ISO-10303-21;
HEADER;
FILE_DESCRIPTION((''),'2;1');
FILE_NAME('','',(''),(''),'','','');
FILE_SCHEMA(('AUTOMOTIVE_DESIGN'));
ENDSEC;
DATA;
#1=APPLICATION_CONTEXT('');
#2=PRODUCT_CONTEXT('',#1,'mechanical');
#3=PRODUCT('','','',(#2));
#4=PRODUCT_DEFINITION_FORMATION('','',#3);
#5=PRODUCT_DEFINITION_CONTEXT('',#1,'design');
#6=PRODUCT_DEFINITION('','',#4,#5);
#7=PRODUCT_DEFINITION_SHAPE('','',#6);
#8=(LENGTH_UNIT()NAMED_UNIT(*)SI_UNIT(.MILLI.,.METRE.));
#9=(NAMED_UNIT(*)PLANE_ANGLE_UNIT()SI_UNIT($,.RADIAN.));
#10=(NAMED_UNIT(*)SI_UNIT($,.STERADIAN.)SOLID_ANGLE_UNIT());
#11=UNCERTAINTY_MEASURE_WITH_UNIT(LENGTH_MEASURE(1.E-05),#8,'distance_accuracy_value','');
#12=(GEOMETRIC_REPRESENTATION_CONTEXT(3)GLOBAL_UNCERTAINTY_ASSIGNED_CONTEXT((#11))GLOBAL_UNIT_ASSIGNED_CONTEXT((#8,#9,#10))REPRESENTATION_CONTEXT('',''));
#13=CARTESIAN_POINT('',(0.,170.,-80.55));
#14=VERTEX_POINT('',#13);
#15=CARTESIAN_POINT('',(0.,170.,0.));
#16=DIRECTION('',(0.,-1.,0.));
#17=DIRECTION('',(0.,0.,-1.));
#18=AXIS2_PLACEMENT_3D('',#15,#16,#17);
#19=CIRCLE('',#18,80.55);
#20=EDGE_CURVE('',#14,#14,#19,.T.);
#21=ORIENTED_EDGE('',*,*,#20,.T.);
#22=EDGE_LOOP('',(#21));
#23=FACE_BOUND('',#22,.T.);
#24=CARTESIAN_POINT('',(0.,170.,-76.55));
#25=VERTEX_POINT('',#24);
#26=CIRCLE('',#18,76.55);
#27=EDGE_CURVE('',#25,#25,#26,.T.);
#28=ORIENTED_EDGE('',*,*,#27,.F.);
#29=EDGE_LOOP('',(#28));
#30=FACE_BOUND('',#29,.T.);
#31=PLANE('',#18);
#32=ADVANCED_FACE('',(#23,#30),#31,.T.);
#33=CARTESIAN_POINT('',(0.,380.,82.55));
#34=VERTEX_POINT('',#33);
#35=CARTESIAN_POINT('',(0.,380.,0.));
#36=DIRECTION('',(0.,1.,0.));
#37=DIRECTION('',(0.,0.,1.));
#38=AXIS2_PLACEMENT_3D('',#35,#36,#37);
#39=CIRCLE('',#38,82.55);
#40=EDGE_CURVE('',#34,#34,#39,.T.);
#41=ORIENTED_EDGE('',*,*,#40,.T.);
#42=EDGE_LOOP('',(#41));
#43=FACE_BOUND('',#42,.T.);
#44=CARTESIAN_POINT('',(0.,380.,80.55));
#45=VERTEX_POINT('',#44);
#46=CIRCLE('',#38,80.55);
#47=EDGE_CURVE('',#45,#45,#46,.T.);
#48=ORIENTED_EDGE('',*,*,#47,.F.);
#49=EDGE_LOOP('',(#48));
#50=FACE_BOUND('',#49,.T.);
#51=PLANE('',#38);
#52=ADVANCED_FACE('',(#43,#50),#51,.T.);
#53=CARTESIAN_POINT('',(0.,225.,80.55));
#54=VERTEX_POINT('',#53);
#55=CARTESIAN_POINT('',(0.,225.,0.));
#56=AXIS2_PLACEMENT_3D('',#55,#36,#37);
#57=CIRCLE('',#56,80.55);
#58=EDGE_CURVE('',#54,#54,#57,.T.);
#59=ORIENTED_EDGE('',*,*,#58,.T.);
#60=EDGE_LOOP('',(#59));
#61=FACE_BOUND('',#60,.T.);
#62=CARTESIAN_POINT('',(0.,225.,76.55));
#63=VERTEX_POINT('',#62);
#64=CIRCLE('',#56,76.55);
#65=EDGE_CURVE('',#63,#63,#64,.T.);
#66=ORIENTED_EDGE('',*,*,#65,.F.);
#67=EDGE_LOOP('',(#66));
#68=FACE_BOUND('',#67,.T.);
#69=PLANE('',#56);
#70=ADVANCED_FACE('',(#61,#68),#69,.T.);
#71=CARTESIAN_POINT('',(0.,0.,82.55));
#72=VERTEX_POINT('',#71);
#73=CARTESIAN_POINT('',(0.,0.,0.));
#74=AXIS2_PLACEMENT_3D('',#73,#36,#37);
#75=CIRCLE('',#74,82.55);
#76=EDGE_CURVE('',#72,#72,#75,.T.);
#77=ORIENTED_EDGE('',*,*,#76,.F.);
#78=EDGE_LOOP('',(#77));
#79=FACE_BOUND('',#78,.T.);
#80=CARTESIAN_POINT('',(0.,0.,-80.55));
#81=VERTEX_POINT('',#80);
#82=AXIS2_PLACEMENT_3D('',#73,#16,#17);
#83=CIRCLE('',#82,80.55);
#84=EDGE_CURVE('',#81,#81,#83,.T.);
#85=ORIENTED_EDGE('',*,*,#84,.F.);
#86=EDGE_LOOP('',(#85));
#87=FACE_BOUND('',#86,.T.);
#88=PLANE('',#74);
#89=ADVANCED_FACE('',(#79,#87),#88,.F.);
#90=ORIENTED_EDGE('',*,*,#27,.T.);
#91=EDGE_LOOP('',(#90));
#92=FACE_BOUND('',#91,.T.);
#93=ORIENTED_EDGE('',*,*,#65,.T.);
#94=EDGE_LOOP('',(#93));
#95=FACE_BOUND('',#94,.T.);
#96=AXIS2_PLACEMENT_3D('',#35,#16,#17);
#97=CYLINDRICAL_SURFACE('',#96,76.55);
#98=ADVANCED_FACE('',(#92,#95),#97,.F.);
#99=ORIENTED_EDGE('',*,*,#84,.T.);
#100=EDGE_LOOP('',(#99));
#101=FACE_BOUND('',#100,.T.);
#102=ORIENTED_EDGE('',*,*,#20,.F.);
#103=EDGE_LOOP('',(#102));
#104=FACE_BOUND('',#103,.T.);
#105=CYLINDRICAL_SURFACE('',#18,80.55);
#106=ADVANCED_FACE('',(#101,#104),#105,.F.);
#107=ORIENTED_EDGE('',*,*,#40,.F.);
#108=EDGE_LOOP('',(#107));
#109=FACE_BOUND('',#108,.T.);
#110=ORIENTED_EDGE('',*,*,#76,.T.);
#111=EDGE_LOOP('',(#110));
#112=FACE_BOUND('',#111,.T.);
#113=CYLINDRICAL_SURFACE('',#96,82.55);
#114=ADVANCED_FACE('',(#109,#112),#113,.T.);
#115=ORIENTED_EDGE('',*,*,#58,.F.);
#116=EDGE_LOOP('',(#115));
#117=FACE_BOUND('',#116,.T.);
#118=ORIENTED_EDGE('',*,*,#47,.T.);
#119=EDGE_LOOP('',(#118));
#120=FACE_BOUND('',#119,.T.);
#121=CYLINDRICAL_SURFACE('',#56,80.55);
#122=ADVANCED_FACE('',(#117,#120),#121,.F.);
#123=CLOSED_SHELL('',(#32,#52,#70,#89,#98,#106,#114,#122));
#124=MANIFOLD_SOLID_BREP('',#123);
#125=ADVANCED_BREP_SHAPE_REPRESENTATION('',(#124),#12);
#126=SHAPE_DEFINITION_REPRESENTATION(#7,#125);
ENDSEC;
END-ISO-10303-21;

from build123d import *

# Parameters (mm, degrees)
SKETCH1_R           = 82.55
SKETCH1_R_2         = 76.55
BOSS_EXTRUDE1_DEPTH = 380
SKETCH2_R           = 80.55
CUT_EXTRUDE1_DEPTH  = 170
SKETCH3_R           = 80.55
CUT_EXTRUDE2_DEPTH  = 155


with BuildPart() as part:
    # Sketch1 → Boss-Extrude1 (new body)
    with BuildSketch(Plane(origin=(0, 0, 0), x_dir=(1, 0, 0), z_dir=(0, 1, 0))):
        Circle(SKETCH1_R)
        Circle(SKETCH1_R_2, mode=Mode.SUBTRACT)
    extrude(amount=BOSS_EXTRUDE1_DEPTH)

    # Sketch2 → Cut-Extrude1 (cut)
    with BuildSketch(Plane.XZ):
        Circle(SKETCH2_R)
    extrude(amount=-CUT_EXTRUDE1_DEPTH, mode=Mode.SUBTRACT)

    # Sketch3 → Cut-Extrude2 (cut)
    with BuildSketch(Plane(origin=(0, 380, 0), x_dir=(1, 0, 0), z_dir=(0, 1, 0))):
        Circle(SKETCH3_R)
    extrude(amount=-CUT_EXTRUDE2_DEPTH, mode=Mode.SUBTRACT)


solid = part.part
